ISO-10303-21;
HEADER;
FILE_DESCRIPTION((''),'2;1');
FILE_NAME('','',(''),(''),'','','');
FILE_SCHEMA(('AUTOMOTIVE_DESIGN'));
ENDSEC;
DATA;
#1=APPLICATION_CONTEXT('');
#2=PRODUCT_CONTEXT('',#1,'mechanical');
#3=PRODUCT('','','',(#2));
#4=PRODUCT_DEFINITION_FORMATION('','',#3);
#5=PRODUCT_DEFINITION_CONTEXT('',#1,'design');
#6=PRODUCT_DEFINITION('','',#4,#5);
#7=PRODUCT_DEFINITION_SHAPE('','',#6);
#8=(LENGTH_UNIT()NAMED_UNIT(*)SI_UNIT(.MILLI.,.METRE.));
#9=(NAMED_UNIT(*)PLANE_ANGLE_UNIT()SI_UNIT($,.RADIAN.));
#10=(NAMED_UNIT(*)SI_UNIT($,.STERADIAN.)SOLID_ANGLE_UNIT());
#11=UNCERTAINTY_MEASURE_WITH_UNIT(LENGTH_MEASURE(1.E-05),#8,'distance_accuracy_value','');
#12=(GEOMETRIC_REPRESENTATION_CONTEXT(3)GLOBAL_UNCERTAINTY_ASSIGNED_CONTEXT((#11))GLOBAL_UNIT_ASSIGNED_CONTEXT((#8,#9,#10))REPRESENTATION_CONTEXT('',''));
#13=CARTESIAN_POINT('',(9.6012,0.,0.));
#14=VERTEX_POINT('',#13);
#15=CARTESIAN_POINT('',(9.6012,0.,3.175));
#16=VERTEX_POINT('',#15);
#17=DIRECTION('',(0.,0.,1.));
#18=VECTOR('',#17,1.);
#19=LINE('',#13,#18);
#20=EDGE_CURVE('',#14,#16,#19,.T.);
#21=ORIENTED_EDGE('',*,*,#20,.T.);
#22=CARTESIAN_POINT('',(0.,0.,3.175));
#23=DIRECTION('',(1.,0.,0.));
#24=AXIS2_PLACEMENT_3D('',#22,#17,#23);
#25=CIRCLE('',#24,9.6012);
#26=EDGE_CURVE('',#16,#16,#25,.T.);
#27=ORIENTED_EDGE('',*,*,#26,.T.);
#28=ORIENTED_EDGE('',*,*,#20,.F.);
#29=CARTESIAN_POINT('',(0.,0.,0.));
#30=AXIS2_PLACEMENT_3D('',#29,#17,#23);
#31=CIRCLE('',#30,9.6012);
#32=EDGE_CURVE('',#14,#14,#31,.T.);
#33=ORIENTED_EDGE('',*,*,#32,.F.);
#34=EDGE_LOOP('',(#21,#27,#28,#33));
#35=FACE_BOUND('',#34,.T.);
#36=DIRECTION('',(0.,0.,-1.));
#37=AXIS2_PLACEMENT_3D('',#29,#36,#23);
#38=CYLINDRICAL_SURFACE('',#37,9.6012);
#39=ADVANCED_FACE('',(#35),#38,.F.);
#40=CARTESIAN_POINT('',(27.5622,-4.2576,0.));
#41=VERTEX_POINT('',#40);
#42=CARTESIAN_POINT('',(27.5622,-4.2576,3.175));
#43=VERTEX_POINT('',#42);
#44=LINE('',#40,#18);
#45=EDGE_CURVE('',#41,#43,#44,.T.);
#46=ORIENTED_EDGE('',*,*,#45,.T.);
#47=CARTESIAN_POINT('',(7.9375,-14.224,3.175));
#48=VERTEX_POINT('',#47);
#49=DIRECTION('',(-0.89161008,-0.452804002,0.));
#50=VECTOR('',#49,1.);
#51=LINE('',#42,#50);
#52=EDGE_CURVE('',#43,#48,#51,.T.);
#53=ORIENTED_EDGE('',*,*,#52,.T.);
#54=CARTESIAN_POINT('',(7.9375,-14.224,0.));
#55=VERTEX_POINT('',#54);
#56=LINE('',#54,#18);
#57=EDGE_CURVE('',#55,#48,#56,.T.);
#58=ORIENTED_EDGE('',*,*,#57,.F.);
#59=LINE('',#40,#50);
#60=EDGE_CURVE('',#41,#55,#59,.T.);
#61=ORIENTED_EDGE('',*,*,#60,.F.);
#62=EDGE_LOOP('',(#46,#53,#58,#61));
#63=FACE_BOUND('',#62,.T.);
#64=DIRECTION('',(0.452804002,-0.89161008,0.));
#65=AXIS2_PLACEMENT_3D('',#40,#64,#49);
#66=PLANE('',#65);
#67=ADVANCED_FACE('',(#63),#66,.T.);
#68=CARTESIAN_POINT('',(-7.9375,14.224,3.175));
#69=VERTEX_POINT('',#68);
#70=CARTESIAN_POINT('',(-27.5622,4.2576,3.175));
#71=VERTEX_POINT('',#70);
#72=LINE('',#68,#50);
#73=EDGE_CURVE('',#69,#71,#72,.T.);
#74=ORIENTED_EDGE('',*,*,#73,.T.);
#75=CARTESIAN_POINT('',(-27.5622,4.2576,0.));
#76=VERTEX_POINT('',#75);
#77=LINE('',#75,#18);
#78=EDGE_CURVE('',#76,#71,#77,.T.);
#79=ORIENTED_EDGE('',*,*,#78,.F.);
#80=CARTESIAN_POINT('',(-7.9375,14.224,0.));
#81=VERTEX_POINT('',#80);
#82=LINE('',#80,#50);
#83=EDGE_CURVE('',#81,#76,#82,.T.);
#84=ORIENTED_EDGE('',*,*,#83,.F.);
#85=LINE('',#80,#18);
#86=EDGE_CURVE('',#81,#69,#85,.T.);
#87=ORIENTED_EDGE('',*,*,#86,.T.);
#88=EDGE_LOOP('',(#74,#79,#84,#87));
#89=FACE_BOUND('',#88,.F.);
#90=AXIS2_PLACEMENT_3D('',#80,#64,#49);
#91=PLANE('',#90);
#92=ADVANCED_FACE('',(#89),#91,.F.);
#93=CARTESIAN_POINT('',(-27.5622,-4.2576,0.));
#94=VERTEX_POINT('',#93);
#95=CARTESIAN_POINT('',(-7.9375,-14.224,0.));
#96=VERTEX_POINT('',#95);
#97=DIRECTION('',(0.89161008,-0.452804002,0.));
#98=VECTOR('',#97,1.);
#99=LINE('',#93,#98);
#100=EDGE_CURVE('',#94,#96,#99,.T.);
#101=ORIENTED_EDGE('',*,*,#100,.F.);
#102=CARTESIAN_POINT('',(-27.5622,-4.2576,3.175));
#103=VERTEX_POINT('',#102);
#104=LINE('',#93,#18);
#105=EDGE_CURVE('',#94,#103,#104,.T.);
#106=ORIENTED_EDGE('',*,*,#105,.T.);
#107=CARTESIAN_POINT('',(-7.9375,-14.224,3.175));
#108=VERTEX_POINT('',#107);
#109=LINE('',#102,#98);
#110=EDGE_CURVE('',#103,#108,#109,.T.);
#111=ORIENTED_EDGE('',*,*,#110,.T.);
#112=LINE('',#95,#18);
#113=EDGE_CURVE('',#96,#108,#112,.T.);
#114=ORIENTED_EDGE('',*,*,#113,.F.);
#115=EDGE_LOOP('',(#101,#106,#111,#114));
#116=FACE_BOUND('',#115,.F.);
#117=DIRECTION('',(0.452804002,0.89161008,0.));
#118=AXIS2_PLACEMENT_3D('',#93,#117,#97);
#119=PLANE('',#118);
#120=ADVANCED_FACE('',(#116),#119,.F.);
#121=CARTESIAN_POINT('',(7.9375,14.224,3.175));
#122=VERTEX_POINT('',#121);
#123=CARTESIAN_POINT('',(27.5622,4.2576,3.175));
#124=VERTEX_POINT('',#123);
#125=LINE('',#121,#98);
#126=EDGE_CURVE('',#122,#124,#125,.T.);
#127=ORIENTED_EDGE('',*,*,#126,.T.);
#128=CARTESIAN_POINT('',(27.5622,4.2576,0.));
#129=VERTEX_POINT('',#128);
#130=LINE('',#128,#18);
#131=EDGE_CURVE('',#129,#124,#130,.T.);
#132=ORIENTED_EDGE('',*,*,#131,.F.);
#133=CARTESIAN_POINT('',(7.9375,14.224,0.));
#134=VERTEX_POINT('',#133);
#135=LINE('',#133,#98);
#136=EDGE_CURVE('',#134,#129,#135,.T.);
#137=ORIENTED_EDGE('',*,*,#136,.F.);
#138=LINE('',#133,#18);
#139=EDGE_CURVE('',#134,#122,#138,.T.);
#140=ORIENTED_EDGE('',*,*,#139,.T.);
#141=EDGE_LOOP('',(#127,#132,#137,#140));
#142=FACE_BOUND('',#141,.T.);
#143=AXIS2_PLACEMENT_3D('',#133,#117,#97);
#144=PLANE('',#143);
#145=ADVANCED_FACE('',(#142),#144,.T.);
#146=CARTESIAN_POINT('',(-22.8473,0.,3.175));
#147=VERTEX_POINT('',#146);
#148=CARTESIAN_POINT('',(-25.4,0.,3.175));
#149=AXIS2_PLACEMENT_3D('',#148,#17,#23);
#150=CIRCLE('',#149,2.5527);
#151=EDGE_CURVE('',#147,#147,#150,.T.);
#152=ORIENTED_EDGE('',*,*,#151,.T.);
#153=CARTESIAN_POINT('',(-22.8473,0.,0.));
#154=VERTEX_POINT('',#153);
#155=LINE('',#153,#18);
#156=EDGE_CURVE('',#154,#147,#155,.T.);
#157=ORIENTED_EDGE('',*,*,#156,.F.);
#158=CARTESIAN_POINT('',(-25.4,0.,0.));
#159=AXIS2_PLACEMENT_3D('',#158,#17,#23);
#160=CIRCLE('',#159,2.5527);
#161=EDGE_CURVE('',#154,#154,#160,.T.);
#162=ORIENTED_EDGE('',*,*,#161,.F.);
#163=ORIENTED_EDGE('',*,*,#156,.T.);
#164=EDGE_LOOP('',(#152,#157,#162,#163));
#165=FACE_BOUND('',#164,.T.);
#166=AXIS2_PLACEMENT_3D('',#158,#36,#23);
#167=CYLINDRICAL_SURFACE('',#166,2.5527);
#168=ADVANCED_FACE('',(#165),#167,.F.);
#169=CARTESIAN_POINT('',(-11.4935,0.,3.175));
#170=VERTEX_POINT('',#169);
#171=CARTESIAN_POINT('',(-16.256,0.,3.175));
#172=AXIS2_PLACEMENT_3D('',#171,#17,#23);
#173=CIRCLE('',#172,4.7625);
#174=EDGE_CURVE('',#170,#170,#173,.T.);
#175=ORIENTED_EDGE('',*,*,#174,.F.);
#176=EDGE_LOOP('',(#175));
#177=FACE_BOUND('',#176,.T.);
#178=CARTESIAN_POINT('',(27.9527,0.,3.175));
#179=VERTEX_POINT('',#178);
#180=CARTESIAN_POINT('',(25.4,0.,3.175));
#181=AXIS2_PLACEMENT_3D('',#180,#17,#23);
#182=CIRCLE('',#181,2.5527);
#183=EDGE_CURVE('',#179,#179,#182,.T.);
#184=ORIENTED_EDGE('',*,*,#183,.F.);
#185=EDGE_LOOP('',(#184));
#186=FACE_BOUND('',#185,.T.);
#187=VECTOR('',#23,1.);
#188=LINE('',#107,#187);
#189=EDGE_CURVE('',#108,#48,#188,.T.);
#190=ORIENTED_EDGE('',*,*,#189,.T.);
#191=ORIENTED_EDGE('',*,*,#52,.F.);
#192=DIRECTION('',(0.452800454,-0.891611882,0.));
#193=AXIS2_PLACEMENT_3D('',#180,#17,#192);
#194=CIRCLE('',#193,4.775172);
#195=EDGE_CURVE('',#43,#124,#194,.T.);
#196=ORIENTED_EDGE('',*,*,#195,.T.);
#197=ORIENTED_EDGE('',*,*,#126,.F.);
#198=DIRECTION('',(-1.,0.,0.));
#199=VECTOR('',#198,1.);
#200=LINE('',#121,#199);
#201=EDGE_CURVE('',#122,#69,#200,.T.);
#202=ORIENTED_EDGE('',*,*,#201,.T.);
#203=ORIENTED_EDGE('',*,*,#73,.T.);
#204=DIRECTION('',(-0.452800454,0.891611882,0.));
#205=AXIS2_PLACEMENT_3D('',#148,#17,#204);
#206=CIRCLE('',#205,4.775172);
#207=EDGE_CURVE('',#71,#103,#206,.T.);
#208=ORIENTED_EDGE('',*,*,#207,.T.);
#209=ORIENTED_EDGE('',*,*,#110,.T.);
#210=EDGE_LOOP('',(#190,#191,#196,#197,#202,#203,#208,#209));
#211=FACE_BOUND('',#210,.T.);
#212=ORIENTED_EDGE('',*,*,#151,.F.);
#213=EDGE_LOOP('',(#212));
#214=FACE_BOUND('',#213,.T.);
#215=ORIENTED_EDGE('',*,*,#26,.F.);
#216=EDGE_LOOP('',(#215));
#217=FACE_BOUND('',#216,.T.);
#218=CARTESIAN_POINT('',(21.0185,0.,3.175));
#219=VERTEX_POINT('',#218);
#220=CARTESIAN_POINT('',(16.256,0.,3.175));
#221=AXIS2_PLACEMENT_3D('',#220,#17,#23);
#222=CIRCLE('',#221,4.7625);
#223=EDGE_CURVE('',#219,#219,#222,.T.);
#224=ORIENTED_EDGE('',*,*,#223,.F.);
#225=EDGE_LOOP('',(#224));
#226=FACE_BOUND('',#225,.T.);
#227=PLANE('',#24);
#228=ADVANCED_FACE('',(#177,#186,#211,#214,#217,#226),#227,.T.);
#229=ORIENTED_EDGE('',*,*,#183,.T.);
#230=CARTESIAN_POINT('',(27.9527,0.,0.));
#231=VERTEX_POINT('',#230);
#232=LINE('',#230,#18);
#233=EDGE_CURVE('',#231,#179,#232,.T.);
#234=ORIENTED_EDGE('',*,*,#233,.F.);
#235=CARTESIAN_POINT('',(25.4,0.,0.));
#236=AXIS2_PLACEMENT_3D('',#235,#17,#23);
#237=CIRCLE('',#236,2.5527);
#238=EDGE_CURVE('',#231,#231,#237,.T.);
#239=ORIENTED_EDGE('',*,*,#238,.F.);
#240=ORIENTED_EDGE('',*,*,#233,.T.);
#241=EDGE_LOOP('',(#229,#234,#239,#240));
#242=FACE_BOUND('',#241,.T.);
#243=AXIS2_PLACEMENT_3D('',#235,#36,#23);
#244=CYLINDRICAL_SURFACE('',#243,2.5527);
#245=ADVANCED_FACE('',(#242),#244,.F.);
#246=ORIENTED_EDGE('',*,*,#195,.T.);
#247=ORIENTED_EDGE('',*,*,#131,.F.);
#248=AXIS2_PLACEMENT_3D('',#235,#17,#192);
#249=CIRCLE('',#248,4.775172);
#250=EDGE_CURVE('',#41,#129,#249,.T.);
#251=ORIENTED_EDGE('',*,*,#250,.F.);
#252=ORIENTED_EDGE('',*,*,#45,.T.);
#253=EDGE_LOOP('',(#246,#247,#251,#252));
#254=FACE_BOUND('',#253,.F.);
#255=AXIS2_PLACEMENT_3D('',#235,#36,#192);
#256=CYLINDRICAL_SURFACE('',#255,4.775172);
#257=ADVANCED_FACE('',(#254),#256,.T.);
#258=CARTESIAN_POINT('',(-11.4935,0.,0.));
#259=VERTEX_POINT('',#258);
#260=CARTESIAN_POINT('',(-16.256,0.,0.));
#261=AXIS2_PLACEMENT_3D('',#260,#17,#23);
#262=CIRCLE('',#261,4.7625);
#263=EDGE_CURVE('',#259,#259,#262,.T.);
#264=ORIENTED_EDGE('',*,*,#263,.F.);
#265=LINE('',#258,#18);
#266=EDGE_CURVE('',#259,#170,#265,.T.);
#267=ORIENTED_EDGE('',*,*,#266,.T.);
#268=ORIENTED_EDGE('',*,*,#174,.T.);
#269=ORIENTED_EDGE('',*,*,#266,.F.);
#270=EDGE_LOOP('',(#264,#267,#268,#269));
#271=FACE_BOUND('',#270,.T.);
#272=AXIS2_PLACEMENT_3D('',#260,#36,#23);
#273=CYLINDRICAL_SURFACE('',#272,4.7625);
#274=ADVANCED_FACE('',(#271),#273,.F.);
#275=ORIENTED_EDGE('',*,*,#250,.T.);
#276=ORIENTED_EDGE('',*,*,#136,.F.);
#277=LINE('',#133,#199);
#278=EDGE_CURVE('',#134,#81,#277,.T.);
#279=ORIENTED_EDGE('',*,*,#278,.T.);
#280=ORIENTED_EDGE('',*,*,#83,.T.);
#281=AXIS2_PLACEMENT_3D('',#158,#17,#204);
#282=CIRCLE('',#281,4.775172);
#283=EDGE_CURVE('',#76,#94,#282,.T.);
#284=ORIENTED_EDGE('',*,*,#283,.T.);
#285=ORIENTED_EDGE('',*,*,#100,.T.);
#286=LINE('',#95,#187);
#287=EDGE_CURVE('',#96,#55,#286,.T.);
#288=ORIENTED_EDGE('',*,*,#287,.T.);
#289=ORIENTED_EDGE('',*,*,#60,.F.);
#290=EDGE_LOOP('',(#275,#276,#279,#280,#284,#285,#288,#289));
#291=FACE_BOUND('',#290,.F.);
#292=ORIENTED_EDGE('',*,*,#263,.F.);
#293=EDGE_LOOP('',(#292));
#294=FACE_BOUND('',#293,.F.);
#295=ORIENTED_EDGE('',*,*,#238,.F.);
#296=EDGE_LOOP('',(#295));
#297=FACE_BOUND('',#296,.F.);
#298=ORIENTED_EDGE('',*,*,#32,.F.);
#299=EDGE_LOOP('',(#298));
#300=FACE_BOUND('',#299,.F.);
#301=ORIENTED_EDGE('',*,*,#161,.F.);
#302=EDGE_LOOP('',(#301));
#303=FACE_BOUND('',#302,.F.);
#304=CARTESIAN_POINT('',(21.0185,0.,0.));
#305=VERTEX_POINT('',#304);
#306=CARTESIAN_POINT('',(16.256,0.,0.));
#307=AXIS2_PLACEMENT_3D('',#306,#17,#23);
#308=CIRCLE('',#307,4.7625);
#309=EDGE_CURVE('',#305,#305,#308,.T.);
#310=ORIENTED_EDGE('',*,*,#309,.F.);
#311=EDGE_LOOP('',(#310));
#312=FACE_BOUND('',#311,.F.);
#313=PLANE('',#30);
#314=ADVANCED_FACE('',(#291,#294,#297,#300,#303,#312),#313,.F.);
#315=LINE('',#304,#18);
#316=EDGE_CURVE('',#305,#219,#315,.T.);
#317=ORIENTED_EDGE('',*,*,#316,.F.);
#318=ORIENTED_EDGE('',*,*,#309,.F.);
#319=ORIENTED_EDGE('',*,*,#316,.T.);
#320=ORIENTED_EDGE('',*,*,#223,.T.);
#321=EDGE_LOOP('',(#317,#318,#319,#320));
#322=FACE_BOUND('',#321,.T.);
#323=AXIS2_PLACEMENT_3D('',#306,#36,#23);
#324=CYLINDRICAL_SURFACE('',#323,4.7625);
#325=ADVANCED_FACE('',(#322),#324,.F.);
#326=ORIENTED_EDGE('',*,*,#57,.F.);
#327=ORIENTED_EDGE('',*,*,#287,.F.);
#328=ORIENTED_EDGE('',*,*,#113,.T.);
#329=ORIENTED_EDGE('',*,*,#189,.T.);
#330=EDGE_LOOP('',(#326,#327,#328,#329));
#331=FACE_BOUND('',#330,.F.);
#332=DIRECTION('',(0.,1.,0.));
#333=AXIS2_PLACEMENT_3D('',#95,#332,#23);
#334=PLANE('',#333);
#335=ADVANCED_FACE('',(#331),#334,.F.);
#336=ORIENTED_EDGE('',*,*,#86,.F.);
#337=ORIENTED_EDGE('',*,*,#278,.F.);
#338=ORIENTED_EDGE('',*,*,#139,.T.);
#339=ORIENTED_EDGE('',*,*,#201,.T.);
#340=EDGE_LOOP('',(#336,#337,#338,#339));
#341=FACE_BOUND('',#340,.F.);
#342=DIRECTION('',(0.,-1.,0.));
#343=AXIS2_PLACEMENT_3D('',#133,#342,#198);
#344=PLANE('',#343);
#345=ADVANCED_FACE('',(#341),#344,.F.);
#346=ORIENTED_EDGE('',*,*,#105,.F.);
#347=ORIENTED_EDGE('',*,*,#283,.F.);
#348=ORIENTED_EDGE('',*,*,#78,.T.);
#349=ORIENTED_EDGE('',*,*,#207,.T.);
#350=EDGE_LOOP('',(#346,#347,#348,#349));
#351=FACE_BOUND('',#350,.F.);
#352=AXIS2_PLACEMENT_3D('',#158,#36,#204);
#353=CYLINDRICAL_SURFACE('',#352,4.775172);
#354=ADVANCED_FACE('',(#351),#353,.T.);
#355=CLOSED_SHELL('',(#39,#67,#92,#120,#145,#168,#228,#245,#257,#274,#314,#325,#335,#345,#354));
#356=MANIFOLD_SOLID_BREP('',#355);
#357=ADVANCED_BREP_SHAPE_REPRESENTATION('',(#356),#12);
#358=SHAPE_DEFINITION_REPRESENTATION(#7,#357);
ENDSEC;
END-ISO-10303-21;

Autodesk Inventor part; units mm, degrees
ref_plane "YZ Plane" through (0, 0, 0) normal (1, 0, 0) x (0, 1, 0)
ref_plane "XZ Plane" through (0, 0, 0) normal (0, 1, 0) x (-1, 0, 0)
ref_plane "XY Plane" through (0, 0, 0) normal (0, 0, 1) x (1, 0, 0)
sketch "Sketch1" plane through (0, 0, 0) normal (0, 0, 1) x (1, 0, 0)
  circle A0 centre (0, 0) radius 9.6012
  circle A1 centre (-16.256, 0) radius 4.7625
  circle A2 centre (16.256, 0) radius 4.7625
  line L0 (7.9375, 14.224) -> (-7.9375, 14.224)
  line L1 (-7.9375, 14.224) -> (-27.5622, 4.2576)
  circle A3 centre (-25.4, 0) radius 2.5527
  arc A4 (-27.5622, 4.2576) -> (-27.5622, -4.2576) centre (-25.4, 0) ccw
  line L2 (-27.5622, -4.2576) -> (-7.9375, -14.224)
  line L3 (-7.9375, -14.224) -> (7.9375, -14.224)
  circle A5 centre (25.4, 0) radius 2.5527
  arc A6 (27.5622, -4.2576) -> (27.5622, 4.2576) centre (25.4, 0) ccw
  line L4 (7.9375, 14.224) -> (27.5622, 4.2576)
  line L5 (27.5622, -4.2576) -> (7.9375, -14.224)
  point P0 (0, 14.224)
  point P1 (0, -14.224)
  dimension "d0" = 19.2024
  dimension "d1" = 9.525
  dimension "d2" = 16.256
  dimension "d3" = 16.256
  dimension "d4" = 15.875
  dimension "d5" = 5.1054
  dimension "d6" = 25.4
  dimension "d7" = 4.7752
  dimension "d8" = 28.448
  dimension "d9" = 5.1054
  dimension "d10" = 25.4
  dimension "d11" = 4.7752
  dimension "d12" = 14.224
extrude "Extrusion1" add sketch "Sketch1" along normal blind 3.175
equation "\"d3\" = d2"
equation "\"d10\" = d6"
equation "\"d12\" = 0.5 * d8"
properties part number "CIM Spacer" material "Aluminum 6061"
